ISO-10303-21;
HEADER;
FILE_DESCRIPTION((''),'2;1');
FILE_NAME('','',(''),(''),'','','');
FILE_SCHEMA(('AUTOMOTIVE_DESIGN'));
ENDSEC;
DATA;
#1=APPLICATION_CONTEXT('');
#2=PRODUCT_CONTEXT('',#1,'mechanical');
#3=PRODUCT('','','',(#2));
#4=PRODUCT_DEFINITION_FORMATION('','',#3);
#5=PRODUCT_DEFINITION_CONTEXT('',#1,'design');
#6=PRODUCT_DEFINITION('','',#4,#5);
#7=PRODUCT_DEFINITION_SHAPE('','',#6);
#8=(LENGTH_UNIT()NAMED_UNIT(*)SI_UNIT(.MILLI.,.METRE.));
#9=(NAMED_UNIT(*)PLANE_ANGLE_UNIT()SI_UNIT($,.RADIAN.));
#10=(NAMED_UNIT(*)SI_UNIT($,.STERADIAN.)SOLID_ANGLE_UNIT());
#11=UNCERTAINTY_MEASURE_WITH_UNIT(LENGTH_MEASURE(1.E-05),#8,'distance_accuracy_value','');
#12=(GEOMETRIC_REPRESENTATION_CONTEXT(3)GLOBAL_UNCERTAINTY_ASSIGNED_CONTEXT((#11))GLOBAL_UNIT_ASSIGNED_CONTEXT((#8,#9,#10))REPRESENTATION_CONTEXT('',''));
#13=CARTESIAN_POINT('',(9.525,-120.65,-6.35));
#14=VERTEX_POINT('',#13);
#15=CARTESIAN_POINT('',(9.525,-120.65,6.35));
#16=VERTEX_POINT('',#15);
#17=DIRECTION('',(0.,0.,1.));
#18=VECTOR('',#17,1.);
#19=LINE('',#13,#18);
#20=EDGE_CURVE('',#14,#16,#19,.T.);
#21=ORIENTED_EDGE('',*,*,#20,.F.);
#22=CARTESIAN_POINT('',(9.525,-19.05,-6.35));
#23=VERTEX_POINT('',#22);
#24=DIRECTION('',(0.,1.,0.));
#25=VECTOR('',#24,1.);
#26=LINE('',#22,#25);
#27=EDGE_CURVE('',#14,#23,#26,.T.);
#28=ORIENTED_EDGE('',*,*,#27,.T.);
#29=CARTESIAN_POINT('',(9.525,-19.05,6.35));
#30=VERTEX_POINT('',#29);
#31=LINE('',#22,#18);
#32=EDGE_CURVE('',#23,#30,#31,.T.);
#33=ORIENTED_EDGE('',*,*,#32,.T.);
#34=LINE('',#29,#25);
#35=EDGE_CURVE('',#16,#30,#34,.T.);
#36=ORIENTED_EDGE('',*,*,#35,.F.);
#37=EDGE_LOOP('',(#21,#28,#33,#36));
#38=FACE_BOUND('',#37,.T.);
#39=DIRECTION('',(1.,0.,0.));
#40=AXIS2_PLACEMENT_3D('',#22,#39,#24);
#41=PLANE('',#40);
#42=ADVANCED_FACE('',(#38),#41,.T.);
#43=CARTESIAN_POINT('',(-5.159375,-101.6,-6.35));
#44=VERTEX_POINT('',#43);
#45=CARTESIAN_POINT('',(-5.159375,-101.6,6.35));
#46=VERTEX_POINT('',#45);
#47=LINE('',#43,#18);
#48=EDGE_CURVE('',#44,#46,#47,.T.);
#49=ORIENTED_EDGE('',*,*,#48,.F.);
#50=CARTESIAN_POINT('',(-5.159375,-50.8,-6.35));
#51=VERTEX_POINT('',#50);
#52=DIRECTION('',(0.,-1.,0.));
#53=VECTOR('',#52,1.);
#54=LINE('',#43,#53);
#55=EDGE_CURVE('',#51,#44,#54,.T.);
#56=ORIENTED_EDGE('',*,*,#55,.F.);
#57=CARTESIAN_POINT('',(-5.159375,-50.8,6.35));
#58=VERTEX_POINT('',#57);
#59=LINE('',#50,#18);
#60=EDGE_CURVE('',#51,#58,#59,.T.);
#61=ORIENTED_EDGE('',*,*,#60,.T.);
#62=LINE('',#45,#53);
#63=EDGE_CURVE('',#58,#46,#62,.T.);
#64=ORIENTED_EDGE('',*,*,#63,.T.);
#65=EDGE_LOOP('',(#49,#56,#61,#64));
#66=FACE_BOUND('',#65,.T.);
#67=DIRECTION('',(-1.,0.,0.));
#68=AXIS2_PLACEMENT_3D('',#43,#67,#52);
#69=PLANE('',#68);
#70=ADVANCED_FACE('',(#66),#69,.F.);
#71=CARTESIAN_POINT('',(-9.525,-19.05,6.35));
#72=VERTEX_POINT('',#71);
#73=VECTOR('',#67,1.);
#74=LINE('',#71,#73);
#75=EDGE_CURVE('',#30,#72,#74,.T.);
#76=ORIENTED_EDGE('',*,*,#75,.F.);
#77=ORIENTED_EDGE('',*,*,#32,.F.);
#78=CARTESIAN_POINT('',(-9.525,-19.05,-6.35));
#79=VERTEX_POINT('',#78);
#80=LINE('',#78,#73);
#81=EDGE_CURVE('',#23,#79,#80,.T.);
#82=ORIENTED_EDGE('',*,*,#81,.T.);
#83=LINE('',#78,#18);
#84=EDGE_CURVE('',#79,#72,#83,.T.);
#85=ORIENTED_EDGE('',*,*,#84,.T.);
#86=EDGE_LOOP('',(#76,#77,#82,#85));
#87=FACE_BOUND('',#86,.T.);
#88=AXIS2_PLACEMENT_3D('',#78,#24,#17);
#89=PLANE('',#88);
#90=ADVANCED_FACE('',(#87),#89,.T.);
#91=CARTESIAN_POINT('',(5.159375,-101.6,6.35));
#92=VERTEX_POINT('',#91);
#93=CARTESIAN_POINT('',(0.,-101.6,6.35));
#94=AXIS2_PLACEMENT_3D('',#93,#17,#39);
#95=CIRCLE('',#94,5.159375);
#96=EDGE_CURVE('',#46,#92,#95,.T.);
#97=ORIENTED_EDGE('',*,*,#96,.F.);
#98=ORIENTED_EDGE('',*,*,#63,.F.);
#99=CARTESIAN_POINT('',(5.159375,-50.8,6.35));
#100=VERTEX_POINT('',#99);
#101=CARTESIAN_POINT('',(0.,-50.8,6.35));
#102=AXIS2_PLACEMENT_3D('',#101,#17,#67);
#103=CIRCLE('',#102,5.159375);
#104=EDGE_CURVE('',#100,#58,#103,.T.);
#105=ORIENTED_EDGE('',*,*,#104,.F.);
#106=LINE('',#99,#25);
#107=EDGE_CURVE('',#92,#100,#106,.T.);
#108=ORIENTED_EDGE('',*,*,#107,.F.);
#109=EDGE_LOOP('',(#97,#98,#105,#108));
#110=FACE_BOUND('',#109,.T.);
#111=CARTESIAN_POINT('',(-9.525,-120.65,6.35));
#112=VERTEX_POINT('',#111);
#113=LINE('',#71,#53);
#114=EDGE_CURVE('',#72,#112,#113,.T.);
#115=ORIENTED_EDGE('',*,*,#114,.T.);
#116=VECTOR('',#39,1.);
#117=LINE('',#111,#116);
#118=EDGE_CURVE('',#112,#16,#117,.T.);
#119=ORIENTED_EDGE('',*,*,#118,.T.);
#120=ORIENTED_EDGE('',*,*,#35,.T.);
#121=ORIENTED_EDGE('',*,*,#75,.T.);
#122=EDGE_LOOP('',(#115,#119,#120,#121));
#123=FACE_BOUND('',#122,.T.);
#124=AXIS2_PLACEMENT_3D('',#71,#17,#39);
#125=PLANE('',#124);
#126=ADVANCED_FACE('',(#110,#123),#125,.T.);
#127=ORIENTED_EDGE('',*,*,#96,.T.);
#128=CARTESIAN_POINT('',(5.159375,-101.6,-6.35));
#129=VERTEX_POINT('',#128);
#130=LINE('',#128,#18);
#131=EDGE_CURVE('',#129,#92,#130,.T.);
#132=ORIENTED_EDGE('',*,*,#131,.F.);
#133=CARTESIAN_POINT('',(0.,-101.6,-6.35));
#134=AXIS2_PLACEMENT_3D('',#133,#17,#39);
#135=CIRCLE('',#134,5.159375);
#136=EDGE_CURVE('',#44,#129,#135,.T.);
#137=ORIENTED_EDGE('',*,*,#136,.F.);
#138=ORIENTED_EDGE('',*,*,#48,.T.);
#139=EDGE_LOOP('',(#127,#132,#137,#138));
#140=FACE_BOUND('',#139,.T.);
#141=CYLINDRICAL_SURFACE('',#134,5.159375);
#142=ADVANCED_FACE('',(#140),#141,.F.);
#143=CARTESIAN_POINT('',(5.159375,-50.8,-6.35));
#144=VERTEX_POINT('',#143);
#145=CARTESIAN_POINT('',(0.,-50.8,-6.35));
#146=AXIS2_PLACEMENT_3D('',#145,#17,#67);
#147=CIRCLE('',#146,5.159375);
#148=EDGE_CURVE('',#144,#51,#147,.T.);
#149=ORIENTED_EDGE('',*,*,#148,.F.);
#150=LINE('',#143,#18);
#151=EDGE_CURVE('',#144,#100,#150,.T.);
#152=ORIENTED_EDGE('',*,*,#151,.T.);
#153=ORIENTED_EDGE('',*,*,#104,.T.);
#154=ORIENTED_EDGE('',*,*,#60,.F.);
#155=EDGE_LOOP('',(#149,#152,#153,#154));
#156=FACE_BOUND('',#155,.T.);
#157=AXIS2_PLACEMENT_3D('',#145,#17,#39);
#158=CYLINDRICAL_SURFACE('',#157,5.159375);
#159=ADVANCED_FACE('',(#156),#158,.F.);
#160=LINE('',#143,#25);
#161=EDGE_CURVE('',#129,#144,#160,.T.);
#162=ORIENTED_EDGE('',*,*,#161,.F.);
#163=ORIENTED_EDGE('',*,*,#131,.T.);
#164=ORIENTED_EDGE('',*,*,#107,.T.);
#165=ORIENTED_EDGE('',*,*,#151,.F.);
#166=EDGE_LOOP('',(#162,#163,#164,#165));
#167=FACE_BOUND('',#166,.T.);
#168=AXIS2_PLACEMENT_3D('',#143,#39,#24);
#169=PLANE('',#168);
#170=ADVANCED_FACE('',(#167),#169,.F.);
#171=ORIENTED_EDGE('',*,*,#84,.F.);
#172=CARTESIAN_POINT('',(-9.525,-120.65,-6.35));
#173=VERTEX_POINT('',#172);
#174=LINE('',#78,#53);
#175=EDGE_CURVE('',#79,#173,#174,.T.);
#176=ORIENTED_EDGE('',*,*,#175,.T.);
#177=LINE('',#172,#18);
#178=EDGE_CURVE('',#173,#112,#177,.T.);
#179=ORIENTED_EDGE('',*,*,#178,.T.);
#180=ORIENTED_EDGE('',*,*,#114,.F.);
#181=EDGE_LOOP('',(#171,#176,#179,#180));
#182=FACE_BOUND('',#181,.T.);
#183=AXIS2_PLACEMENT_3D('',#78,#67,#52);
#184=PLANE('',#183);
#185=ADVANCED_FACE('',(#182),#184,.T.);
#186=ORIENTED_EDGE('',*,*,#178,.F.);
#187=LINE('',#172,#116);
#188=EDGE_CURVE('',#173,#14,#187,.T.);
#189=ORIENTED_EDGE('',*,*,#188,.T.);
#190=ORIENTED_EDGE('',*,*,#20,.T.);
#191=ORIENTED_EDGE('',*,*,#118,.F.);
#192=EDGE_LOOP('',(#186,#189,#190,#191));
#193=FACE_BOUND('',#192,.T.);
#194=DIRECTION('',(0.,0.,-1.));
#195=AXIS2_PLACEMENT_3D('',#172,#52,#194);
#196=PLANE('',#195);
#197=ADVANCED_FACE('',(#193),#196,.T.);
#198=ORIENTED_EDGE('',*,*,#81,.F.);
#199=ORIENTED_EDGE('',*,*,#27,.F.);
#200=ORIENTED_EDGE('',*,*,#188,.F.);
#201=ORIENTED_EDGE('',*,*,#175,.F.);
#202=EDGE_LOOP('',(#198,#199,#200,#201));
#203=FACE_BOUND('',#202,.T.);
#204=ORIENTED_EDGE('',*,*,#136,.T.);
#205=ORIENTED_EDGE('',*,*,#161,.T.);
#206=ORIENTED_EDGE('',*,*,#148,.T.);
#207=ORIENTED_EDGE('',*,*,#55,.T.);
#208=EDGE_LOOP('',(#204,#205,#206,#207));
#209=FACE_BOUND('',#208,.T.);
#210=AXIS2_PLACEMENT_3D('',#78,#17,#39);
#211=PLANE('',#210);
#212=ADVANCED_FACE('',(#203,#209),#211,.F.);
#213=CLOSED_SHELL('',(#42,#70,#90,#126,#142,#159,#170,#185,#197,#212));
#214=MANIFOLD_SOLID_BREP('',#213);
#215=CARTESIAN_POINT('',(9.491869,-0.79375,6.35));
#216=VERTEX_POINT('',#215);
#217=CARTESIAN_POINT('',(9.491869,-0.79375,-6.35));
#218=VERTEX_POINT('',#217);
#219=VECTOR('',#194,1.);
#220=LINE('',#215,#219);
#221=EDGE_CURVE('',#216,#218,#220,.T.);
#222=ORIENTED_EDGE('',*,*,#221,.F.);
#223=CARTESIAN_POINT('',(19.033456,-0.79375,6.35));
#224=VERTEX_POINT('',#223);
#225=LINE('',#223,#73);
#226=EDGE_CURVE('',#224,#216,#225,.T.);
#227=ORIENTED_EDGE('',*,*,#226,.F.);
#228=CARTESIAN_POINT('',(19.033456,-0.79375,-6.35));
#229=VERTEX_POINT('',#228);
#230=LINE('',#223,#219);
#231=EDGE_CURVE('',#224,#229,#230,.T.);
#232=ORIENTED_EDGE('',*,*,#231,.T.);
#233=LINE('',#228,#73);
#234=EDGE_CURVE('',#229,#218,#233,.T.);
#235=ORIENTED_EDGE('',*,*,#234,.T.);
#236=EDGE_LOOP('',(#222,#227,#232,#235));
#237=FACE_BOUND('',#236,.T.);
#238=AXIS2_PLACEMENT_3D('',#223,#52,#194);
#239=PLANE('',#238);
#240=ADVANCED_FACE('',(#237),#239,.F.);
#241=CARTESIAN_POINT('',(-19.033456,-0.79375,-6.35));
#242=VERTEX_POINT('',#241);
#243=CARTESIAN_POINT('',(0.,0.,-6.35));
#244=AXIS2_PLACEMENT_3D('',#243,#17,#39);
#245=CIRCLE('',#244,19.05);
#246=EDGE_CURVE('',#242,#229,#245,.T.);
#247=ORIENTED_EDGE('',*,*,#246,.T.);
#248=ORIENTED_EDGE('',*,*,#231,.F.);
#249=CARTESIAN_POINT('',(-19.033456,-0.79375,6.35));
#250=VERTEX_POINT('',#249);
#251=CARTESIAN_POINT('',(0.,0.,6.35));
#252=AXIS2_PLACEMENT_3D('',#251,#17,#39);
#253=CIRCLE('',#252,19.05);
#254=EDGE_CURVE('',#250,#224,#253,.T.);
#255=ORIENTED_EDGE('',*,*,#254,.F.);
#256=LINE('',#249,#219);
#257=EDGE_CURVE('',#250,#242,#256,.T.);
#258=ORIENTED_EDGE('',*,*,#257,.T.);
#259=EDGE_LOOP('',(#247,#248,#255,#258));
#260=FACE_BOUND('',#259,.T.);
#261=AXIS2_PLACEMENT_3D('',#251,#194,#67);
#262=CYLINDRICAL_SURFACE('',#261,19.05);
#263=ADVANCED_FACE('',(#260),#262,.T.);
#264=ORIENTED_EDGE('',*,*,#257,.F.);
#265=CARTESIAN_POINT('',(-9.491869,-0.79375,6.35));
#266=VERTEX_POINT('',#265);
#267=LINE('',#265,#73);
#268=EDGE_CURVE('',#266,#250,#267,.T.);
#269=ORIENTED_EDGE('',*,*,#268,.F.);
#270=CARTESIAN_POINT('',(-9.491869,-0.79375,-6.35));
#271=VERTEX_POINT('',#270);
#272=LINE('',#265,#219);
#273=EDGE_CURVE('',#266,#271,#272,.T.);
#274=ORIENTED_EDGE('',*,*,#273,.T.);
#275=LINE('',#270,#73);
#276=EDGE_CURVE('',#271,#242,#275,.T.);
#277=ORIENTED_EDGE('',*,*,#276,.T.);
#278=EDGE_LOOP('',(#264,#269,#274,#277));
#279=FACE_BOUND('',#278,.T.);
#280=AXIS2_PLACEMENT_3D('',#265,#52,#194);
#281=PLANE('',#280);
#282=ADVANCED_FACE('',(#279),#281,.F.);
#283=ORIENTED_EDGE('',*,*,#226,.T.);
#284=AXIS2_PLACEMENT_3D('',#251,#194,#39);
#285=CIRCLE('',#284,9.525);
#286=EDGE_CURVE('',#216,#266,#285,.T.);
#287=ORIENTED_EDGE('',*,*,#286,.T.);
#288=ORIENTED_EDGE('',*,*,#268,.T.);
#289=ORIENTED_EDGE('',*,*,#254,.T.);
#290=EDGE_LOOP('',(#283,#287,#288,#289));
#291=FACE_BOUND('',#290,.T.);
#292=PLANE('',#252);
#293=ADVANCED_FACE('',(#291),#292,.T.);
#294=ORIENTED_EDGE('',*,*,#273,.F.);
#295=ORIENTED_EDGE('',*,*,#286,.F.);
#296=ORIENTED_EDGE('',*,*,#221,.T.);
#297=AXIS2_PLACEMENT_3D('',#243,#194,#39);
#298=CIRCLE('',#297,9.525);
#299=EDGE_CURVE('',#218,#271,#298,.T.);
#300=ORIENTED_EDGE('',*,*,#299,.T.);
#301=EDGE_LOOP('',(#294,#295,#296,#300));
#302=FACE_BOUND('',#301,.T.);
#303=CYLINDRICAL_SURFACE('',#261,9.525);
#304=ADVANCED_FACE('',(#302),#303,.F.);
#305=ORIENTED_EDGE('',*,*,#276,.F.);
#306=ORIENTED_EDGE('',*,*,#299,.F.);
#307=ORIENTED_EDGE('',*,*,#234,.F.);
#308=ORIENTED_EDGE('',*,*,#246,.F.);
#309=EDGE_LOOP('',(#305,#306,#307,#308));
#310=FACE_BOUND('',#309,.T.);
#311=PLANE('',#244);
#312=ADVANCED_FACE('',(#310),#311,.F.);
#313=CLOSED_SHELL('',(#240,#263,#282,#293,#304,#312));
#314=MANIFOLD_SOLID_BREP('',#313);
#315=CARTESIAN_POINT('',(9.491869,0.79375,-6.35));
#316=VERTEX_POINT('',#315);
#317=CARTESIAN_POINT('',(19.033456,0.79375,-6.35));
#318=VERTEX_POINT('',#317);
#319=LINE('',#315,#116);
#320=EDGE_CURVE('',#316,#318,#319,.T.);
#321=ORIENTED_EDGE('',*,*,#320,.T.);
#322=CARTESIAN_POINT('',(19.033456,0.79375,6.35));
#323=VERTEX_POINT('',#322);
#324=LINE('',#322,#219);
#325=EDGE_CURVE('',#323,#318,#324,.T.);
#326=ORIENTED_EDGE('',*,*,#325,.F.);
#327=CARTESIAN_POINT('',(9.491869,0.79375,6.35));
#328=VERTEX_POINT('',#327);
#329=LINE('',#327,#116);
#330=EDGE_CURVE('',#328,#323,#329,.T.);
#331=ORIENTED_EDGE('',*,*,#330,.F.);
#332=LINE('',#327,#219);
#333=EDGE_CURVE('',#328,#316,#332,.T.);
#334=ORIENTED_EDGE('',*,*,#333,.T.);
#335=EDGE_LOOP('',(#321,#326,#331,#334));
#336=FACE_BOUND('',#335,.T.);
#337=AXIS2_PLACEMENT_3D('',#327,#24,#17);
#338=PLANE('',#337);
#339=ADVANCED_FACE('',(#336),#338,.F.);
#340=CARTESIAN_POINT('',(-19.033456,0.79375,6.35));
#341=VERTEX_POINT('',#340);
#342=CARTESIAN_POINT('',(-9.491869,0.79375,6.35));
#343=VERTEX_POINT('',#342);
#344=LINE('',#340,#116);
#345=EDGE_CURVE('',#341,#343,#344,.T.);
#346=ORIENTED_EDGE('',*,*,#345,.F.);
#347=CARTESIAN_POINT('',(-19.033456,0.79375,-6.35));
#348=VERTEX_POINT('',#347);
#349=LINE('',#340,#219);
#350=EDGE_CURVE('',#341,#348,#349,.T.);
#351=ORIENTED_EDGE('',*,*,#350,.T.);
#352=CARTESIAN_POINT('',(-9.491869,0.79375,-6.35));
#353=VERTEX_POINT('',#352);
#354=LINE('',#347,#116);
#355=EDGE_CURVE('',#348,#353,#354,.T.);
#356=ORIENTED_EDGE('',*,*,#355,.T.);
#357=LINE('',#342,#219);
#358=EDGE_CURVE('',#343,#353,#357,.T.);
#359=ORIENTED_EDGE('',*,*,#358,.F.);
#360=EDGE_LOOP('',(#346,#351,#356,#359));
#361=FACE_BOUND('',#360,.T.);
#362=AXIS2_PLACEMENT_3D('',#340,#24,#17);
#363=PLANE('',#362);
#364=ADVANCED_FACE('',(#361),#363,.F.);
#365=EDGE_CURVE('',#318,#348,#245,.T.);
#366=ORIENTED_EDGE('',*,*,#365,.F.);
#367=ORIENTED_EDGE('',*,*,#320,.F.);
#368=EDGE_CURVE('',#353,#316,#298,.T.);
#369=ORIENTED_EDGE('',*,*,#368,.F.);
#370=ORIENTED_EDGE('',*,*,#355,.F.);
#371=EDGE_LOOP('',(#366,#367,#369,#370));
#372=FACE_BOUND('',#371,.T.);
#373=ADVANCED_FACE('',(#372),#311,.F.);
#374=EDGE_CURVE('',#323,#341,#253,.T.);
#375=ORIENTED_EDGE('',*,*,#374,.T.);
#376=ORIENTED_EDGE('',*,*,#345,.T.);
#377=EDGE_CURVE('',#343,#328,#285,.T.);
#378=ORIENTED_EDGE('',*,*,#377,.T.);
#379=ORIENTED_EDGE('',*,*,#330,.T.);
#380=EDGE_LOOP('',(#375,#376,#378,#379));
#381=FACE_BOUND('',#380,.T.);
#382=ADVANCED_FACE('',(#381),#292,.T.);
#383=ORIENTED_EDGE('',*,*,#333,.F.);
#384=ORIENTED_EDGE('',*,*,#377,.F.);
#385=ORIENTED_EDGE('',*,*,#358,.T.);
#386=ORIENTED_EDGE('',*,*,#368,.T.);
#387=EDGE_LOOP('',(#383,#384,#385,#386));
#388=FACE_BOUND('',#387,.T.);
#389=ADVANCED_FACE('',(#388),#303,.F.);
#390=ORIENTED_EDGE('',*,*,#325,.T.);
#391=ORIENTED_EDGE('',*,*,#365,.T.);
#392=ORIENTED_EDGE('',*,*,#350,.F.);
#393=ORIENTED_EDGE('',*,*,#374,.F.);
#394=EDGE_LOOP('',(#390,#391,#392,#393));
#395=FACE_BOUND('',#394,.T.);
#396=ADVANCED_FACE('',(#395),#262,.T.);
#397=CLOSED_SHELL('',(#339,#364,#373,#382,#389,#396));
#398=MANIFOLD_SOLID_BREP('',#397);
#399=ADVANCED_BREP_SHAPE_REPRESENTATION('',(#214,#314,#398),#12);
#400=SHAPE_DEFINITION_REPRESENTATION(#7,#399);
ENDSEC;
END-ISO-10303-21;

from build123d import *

# Parameters (mm, degrees)
EXTRUDE1_DEPTH     = 6.35
EXTRUDE1_2_DEPTH   = 6.35
SKETCH2_W          = 19.05
SKETCH2_H          = 101.6
EXTRUDE2_DEPTH     = 12.7
CUT_EXTRUDE1_DEPTH = 123.80059023


with BuildPart() as part:
    # Sketch1 → Extrude1 (new, symmetric)
    with BuildSketch(Plane.XY):
        with BuildLine():
            Line((-19.033456358, 0.79375), (-9.491869465, 0.79375))
            ThreePointArc((-9.491869465, 0.79375), (0, 9.525), (9.491869465, 0.79375))
            Line((9.491869465, 0.79375), (19.033456358, 0.79375))
            ThreePointArc((19.033456358, 0.79375), (0, 19.05), (-19.033456358, 0.79375))
        make_face()
    extrude(amount=EXTRUDE1_DEPTH, both=True)


with BuildPart() as body_2:
    # Sketch1 → Extrude1 2 (new, symmetric)
    with BuildSketch(Plane.XY):
        with BuildLine():
            Line((19.033456358, -0.79375), (9.491869465, -0.79375))
            ThreePointArc((9.491869465, -0.79375), (0, -9.525), (-9.491869465, -0.79375))
            Line((-9.491869465, -0.79375), (-19.033456358, -0.79375))
            ThreePointArc((-19.033456358, -0.79375), (0, -19.05), (19.033456358, -0.79375))
        make_face()
    extrude(amount=EXTRUDE1_2_DEPTH, both=True)


with BuildPart() as body_3:
    # Sketch2 → Extrude2 (new body)
    with BuildSketch(Plane.XY.offset(6.35)):
        with Locations((0, -69.85)):
            Rectangle(SKETCH2_W, SKETCH2_H)
    extrude(amount=-EXTRUDE2_DEPTH)

    # Sketch3 → Cut-Extrude1 (cut, through all)
    with BuildSketch(Plane.XY.offset(6.35)):
        with BuildLine():
            Line((-5.159375, -101.6), (-5.159375, -50.8))
            ThreePointArc((-5.159375, -50.8), (0, -45.640625), (5.159375, -50.8))
            Line((5.159375, -50.8), (5.159375, -101.6))
            ThreePointArc((5.159375, -101.6), (0, -106.759375), (-5.159375, -101.6))
        make_face()
    extrude(amount=-CUT_EXTRUDE1_DEPTH, mode=Mode.SUBTRACT)


solid = Compound([part.part, body_2.part, body_3.part])
